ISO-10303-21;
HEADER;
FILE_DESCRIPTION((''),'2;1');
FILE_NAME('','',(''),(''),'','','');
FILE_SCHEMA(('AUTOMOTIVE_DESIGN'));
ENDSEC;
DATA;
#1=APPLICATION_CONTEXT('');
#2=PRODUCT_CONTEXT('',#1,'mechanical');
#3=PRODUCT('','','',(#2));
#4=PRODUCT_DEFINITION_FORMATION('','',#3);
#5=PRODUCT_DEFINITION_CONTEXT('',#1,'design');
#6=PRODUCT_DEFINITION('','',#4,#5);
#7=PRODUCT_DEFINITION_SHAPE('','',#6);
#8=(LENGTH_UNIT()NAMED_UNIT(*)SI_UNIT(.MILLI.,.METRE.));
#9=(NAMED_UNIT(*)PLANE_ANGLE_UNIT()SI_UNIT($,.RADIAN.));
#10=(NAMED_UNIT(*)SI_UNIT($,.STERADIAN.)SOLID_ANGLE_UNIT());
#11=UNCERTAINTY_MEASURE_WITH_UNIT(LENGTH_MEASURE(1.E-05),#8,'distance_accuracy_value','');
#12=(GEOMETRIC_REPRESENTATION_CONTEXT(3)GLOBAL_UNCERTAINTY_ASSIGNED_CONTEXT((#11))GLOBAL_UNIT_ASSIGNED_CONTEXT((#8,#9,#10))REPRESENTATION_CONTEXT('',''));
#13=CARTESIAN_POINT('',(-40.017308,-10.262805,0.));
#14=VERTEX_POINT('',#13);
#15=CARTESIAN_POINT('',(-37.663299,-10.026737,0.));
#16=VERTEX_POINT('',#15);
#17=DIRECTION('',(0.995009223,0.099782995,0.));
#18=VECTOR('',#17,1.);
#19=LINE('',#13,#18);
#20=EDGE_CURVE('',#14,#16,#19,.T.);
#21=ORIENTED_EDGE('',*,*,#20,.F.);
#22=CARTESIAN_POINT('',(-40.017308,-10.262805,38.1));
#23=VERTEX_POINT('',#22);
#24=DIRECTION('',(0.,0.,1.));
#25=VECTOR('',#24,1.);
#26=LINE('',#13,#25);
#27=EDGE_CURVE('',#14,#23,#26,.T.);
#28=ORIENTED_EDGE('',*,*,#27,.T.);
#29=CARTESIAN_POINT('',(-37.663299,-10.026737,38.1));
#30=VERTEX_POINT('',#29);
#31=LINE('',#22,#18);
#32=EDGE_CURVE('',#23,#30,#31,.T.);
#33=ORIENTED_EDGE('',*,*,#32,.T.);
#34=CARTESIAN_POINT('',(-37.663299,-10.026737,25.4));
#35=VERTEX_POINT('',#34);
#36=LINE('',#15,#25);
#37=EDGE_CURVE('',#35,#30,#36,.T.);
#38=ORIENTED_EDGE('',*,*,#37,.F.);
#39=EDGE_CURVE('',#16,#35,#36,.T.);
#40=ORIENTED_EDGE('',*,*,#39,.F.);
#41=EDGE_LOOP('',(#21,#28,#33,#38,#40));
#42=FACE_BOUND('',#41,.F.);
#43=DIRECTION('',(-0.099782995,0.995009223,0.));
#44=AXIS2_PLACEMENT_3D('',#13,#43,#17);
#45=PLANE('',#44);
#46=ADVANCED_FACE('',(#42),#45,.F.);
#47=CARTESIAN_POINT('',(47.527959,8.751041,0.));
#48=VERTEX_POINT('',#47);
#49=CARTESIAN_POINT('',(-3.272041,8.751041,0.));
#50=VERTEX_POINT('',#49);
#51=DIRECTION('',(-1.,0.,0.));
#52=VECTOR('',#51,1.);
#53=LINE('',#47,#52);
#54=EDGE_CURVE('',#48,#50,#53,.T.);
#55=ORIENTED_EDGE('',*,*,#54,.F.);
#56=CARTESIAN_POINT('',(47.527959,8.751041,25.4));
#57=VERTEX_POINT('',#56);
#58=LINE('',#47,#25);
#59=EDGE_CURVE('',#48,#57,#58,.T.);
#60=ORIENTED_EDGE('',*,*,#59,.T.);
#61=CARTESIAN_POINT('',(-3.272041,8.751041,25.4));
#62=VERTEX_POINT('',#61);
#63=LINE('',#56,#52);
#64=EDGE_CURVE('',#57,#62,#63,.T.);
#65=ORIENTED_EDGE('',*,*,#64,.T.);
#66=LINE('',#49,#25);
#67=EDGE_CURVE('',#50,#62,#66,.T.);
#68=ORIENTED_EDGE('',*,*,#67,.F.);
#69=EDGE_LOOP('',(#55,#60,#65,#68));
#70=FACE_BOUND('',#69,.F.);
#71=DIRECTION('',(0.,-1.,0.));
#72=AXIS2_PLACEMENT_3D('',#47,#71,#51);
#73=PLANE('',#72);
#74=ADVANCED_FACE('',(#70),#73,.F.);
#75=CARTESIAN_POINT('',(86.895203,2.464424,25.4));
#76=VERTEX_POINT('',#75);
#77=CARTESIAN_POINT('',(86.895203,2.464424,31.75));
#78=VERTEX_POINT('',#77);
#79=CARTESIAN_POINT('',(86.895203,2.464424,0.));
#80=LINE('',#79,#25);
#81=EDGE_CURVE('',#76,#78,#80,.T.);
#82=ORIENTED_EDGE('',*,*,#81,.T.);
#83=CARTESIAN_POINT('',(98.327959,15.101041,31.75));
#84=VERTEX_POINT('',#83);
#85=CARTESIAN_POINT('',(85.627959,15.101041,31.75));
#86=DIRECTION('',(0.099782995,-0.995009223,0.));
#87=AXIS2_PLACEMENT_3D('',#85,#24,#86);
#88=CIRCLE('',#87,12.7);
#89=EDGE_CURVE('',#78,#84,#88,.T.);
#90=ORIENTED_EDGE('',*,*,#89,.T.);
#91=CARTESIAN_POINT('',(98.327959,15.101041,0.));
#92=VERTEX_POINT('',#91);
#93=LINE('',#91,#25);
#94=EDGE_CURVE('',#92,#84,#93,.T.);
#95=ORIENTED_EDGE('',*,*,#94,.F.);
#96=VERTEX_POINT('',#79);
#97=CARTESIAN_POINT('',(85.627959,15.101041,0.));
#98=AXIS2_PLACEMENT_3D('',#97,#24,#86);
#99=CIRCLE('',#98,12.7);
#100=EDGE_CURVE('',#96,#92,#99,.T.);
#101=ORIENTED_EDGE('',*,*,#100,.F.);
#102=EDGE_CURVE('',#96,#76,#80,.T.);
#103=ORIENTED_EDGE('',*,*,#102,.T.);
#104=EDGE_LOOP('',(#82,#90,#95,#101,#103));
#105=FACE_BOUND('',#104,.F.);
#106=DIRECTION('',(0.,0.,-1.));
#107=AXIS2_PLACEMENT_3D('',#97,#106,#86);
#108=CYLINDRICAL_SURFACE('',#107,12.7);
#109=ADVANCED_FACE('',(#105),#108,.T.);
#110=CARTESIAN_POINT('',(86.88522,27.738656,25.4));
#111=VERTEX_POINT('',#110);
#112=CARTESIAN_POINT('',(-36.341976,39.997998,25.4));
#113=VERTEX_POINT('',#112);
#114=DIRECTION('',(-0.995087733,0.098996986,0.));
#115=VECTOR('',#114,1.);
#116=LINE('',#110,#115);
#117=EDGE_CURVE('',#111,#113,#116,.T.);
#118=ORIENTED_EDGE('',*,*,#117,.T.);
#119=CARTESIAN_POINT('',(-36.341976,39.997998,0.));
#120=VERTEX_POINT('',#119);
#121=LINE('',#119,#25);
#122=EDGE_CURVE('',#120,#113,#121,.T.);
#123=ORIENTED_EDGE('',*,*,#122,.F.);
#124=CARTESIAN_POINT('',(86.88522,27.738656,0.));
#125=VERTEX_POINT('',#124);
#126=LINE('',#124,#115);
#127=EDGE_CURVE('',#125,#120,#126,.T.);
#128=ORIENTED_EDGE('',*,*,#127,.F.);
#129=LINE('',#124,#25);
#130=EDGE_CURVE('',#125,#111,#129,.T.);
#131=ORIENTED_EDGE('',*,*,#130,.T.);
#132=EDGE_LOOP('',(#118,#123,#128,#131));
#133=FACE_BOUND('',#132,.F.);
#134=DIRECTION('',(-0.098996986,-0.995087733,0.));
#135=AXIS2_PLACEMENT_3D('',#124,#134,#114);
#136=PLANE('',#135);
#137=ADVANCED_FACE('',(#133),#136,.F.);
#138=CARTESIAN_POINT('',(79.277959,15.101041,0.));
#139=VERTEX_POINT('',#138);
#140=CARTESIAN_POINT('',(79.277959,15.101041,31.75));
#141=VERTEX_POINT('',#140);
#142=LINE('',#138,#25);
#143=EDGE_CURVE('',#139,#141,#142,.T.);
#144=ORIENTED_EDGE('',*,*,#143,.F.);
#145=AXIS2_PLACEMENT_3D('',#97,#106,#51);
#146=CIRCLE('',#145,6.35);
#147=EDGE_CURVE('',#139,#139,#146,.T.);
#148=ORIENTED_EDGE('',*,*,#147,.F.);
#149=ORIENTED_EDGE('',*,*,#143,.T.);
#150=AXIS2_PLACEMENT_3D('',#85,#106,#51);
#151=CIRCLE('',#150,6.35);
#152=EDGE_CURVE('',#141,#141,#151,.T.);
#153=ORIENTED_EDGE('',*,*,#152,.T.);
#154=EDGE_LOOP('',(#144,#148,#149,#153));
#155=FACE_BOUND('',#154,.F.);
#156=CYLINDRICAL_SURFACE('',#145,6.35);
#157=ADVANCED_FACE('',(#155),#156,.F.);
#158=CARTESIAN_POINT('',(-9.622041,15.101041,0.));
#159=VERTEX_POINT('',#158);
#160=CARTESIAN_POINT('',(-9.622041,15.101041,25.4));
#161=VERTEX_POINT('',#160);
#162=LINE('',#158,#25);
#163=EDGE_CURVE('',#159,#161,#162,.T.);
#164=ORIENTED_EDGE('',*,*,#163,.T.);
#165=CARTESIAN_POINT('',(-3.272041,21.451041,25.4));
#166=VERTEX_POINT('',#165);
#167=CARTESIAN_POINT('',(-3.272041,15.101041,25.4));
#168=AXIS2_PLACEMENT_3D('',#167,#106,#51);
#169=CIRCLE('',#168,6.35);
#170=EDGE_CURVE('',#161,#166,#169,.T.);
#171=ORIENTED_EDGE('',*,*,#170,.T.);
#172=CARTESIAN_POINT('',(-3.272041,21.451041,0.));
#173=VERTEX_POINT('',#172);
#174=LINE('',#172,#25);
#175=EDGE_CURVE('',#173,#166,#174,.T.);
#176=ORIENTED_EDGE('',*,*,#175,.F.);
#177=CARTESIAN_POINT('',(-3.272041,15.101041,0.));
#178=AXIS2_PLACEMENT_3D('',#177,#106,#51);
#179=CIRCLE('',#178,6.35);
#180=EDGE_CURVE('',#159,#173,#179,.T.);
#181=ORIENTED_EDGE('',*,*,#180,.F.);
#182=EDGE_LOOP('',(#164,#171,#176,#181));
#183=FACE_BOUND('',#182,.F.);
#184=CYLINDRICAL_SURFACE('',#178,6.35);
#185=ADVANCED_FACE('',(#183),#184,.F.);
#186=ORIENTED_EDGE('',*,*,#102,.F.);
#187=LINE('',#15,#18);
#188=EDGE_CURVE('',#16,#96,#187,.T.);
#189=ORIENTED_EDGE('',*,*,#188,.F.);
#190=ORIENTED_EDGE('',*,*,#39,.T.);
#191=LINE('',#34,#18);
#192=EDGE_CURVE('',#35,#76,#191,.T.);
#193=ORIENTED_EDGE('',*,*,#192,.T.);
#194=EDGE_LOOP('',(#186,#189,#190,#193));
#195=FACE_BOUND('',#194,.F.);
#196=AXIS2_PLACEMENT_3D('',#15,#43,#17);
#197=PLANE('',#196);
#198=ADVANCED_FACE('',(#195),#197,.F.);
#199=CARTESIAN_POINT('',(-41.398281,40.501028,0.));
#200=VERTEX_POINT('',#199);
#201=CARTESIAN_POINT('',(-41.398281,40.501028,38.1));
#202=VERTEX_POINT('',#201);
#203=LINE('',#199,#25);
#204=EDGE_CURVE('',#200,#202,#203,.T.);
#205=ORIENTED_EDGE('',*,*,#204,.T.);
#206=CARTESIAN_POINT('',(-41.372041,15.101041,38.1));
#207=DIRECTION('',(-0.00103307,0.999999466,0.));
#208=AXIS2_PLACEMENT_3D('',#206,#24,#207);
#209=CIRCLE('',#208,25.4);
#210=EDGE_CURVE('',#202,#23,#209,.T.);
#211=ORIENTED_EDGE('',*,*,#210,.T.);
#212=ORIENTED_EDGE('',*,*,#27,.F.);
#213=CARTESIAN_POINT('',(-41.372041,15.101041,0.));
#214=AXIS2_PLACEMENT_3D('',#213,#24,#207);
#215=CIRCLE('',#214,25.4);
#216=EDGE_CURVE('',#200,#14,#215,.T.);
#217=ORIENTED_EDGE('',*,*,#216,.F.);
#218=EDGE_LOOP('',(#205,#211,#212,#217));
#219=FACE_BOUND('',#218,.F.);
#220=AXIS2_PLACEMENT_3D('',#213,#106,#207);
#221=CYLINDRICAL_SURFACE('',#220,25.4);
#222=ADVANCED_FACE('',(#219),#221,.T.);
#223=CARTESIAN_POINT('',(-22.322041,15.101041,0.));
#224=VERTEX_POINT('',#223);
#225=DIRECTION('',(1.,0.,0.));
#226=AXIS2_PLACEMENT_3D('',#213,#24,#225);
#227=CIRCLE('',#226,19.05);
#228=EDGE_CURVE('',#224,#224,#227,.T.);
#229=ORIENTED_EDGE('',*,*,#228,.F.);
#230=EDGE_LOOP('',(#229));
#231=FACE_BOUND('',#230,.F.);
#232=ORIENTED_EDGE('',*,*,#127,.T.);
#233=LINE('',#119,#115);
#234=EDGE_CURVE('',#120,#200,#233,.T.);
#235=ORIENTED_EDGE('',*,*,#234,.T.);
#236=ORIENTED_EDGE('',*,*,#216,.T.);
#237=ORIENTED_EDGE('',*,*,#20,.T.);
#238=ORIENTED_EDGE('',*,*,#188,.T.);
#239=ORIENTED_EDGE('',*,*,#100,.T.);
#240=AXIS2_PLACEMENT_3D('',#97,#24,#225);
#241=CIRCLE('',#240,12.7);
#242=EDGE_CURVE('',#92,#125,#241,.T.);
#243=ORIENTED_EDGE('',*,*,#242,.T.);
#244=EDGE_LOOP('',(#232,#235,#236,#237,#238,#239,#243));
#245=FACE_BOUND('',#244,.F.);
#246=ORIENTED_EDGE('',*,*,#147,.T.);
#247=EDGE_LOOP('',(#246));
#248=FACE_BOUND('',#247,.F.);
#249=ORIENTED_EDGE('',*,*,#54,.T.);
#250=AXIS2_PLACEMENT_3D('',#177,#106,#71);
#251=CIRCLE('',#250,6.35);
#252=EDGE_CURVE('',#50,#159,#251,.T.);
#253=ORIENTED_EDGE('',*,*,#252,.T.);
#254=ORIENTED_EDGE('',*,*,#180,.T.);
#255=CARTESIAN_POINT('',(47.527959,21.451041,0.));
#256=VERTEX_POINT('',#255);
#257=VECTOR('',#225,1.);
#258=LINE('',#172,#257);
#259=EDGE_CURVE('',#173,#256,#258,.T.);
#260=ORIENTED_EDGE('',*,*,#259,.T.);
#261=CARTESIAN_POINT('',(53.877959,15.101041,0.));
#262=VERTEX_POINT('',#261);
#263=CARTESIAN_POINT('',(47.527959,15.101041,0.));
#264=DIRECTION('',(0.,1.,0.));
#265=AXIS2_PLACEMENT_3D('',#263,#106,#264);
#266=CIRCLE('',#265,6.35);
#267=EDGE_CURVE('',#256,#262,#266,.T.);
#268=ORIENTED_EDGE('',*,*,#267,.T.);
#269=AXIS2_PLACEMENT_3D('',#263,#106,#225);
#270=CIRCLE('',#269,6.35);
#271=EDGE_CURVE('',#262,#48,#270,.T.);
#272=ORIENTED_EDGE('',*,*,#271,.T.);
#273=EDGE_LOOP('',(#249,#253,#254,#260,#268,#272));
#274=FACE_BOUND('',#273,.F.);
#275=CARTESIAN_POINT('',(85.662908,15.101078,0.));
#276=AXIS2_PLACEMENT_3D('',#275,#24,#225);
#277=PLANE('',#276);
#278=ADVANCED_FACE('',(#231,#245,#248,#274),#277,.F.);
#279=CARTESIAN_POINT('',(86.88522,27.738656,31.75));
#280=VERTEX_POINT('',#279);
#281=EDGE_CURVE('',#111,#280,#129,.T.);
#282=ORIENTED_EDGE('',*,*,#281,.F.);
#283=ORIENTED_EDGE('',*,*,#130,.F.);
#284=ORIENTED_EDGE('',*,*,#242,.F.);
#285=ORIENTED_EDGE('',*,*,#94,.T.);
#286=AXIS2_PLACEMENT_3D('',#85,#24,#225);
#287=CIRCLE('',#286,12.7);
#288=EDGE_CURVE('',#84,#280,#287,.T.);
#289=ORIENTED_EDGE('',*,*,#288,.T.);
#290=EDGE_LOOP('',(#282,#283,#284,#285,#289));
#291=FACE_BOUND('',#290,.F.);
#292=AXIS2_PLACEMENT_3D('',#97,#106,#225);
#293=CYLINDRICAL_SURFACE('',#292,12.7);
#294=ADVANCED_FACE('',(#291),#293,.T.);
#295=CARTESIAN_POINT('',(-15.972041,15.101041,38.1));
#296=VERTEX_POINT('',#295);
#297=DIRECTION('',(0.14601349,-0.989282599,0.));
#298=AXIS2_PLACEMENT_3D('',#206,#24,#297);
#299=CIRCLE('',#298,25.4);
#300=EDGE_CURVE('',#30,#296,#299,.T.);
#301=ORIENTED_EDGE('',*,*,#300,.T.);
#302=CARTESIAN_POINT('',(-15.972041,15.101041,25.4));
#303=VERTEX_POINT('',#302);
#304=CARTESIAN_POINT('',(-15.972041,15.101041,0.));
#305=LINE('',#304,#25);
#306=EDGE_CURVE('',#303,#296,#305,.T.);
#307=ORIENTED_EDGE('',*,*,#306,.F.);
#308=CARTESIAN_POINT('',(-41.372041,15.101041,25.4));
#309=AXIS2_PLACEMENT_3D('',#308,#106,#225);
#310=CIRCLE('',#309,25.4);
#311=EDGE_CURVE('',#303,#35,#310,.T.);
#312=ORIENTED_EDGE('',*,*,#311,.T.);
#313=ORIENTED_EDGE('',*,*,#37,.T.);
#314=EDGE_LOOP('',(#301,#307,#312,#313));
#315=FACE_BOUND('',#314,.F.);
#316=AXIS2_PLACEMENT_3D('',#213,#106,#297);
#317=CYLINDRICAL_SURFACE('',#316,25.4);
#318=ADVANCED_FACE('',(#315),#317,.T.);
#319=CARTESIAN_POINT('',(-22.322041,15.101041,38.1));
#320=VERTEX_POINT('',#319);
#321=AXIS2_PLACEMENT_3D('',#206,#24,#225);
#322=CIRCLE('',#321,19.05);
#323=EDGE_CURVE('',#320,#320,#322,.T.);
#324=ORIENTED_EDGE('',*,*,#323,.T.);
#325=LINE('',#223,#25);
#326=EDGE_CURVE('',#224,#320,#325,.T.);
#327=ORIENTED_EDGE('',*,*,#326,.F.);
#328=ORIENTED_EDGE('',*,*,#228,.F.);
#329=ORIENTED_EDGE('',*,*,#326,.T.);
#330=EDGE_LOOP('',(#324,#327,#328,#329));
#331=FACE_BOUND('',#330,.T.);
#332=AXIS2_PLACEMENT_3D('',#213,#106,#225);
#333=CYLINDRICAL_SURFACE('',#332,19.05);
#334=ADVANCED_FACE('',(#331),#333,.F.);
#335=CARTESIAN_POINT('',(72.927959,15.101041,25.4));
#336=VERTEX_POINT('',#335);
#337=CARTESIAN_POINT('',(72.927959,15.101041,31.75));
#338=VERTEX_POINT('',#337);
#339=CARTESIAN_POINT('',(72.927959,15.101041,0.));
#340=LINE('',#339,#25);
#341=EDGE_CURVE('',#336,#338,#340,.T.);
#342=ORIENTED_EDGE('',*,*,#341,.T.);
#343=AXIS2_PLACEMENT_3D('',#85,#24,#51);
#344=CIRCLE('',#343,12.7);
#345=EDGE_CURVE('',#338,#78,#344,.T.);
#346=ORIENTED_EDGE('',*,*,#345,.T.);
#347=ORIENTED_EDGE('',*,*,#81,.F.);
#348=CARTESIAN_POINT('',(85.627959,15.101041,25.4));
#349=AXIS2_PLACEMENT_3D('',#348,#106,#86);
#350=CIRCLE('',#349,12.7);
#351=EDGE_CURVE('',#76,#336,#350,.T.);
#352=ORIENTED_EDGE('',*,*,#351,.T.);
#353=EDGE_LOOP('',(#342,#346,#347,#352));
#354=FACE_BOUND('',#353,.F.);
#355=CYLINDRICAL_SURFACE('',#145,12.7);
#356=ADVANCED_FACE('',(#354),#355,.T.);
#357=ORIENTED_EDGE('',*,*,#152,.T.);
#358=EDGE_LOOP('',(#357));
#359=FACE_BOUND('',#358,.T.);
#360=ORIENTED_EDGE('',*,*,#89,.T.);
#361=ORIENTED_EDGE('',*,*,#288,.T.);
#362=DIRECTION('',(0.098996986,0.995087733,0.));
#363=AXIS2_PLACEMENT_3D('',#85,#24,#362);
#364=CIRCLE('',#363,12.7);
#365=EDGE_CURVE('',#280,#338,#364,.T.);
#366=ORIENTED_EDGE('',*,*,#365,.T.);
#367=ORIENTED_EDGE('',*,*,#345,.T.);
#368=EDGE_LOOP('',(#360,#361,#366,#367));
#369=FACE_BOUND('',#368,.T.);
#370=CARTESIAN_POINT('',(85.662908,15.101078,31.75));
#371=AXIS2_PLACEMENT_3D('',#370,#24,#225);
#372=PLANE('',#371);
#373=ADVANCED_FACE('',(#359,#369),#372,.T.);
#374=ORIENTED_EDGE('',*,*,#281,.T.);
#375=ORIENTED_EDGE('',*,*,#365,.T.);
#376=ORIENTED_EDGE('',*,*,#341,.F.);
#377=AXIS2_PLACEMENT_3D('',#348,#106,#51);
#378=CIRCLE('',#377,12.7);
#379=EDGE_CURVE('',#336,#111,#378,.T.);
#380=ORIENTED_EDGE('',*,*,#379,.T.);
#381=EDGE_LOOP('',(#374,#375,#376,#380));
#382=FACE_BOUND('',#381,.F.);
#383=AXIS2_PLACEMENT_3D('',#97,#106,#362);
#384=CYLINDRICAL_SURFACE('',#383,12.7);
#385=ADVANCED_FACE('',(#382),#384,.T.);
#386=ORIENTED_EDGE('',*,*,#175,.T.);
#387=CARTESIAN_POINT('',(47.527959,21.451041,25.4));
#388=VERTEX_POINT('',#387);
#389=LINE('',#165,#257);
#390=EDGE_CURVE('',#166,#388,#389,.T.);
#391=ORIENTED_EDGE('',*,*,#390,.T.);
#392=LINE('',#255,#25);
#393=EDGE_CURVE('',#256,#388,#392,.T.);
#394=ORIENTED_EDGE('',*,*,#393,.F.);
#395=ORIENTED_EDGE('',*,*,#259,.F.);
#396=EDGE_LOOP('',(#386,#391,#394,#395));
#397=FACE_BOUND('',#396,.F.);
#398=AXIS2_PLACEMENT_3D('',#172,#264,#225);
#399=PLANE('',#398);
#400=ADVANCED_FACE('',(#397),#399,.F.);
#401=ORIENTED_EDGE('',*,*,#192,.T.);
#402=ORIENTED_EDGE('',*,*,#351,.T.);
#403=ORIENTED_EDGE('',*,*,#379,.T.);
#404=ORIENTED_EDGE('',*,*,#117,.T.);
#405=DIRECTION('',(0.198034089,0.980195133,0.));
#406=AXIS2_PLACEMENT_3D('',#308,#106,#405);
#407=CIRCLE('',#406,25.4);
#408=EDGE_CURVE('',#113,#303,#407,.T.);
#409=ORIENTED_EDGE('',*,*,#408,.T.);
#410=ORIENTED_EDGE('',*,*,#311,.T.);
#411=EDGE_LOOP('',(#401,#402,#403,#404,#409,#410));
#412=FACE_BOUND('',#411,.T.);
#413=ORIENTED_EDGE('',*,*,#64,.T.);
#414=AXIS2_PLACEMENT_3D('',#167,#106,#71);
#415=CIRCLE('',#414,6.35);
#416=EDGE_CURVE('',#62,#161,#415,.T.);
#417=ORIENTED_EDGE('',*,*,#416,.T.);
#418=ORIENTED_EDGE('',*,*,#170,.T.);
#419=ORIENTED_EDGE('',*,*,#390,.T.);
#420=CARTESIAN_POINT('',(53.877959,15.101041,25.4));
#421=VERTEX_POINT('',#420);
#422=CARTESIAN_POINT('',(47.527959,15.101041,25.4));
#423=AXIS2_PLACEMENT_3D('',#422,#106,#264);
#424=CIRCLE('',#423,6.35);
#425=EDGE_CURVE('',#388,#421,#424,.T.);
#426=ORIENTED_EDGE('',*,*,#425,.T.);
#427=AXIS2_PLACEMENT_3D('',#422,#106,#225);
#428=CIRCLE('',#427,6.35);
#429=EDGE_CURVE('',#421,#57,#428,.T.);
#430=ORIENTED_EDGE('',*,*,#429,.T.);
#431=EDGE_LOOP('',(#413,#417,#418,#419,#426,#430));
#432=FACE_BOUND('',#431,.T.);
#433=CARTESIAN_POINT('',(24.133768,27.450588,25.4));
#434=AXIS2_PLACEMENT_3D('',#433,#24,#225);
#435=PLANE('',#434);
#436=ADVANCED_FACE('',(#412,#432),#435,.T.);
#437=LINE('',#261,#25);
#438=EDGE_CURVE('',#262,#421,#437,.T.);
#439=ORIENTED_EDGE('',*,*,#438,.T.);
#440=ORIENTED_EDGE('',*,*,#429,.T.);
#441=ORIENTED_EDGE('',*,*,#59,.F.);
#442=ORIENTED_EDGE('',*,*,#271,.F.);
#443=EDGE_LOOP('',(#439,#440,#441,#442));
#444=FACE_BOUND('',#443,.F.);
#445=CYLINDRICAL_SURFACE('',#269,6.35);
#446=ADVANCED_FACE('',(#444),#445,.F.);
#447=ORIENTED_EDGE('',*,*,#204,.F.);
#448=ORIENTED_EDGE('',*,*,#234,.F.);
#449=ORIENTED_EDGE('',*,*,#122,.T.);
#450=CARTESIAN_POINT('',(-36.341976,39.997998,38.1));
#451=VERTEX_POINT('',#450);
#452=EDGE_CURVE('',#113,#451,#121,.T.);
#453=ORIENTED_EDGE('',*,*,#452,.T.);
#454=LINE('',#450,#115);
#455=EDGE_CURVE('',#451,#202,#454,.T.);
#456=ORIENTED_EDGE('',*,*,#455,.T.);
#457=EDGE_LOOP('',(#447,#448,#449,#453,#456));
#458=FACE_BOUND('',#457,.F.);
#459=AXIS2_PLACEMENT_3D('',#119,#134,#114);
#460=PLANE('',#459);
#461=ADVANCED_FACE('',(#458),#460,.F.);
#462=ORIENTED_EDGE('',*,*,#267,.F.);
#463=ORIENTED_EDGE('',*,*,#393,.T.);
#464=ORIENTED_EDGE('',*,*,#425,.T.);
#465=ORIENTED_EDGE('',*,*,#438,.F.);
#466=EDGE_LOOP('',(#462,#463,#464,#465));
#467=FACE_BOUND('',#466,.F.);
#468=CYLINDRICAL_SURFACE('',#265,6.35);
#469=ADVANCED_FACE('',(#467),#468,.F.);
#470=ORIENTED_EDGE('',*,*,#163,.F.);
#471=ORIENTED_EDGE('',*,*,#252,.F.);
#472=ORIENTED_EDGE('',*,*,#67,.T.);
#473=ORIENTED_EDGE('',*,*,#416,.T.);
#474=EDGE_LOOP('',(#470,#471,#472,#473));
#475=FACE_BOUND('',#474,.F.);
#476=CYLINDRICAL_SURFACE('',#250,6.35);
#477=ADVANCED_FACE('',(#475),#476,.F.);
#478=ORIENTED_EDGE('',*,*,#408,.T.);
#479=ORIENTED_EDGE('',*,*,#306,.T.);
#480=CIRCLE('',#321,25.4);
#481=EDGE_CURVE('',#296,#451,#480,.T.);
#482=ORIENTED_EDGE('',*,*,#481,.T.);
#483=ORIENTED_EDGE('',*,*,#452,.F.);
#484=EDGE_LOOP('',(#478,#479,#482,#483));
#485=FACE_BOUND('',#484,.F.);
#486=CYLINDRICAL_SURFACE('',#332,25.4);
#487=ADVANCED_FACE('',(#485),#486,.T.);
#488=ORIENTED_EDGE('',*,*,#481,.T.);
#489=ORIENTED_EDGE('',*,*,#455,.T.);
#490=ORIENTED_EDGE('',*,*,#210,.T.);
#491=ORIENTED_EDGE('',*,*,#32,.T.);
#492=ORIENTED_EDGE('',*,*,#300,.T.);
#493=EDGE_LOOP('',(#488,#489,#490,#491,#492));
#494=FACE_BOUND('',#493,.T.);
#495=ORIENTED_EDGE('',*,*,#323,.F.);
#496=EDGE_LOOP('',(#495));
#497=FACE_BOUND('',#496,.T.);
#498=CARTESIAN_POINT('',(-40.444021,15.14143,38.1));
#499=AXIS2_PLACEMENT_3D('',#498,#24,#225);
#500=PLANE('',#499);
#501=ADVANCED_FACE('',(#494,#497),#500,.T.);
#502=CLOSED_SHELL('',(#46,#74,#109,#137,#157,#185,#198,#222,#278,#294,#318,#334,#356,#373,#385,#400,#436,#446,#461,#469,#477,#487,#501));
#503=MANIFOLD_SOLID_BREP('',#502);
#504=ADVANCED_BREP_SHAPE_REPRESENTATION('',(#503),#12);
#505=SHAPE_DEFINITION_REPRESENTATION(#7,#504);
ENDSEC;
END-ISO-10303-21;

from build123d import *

# Parameters (mm, degrees)
F0_R     = 19.05
F1_DEPTH = 38.1
F2_DEPTH = 25.4
F3_DEPTH = 31.75


with BuildPart() as f1:
    # F0 (on Top) → F1 (new body)
    with BuildSketch(Plane.XY):
        with BuildLine():
            ThreePointArc((-37.6632987603, -10.0267366713), (-22.1449503188, -1.4965177663), (-15.972041403, 15.1010413445))
            ThreePointArc((-15.972041403, 15.1010413445), (-21.7134087863, 31.1851379508), (-36.3419755478, 39.9979977347))
            Line((-36.3419755478, 39.9979977347), (-41.3982813704, 40.5010277907))
            ThreePointArc((-41.3982813704, 40.5010277907), (-66.762647964, 14.4103181957), (-40.0173078877, -10.2628049155))
            Line((-40.0173078877, -10.2628049155), (-37.6632987603, -10.0267366713))
        make_face()
        with Locations((-41.372041403, 15.1010413445)):
            Circle(F0_R, mode=Mode.SUBTRACT)
    extrude(amount=F1_DEPTH)

    # F0 (on Top) → F2 (join)
    with BuildSketch(Plane.XY):
        with BuildLine():
            ThreePointArc((-36.3419755478, 39.9979977347), (-21.7134087863, 31.1851379508), (-15.972041403, 15.1010413445))
            Line((-15.972041403, 15.1010413445), (-9.622041403, 15.1010413445))
            ThreePointArc((-9.622041403, 15.1010413445), (-7.7621694636, 19.5911694051), (-3.272041403, 21.4510413445))
            Line((-3.272041403, 21.4510413445), (47.527958597, 21.4510413445))
            ThreePointArc((47.527958597, 21.4510413445), (52.0180866575, 19.5911694051), (53.877958597, 15.1010413445))
            Line((53.877958597, 15.1010413445), (72.927958597, 15.1010413445))
            ThreePointArc((72.927958597, 15.1010413445), (77.1037936501, 24.5153183725), (86.8852203227, 27.7386555558))
            Line((86.8852203227, 27.7386555558), (-36.3419755478, 39.9979977347))
        make_face()
        with BuildLine():
            Line((-9.622041403, 15.1010413445), (-15.972041403, 15.1010413445))
            ThreePointArc((-15.972041403, 15.1010413445), (-22.1449503188, -1.4965177663), (-37.6632987603, -10.0267366713))
            Line((-37.6632987603, -10.0267366713), (86.8952026298, 2.4644242117))
            ThreePointArc((86.8952026298, 2.4644242117), (77.1075125763, 5.6833983481), (72.927958597, 15.1010413445))
            Line((72.927958597, 15.1010413445), (53.877958597, 15.1010413445))
            ThreePointArc((53.877958597, 15.1010413445), (52.0180866575, 10.610913284), (47.527958597, 8.7510413445))
            Line((47.527958597, 8.7510413445), (-3.272041403, 8.7510413445))
            ThreePointArc((-3.272041403, 8.7510413445), (-7.7621694636, 10.610913284), (-9.622041403, 15.1010413445))
        make_face()
    extrude(amount=F2_DEPTH)

    # F0 (on Top) → F3 (join)
    with BuildSketch(Plane.XY):
        with BuildLine():
            ThreePointArc((98.327958597, 15.1010413445), (95.0422356249, 23.6252062914), (86.8852203227, 27.7386555558))
            ThreePointArc((86.8852203227, 27.7386555558), (77.1037936501, 24.5153183725), (72.927958597, 15.1010413445))
            ThreePointArc((72.927958597, 15.1010413445), (77.1075125763, 5.6833983481), (86.8952026298, 2.4644242117))
            ThreePointArc((86.8952026298, 2.4644242117), (95.0456015934, 6.5805953238), (98.327958597, 15.1010413445))
        make_face()
        with BuildLine():
            ThreePointArc((91.977958597, 15.1010413445), (85.627958597, 8.7510413445), (79.277958597, 15.1010413445))
            ThreePointArc((79.277958597, 15.1010413445), (85.627958597, 21.4510413445), (91.977958597, 15.1010413445))
        make_face(mode=Mode.SUBTRACT)
    extrude(amount=F3_DEPTH)


solid = f1.part
